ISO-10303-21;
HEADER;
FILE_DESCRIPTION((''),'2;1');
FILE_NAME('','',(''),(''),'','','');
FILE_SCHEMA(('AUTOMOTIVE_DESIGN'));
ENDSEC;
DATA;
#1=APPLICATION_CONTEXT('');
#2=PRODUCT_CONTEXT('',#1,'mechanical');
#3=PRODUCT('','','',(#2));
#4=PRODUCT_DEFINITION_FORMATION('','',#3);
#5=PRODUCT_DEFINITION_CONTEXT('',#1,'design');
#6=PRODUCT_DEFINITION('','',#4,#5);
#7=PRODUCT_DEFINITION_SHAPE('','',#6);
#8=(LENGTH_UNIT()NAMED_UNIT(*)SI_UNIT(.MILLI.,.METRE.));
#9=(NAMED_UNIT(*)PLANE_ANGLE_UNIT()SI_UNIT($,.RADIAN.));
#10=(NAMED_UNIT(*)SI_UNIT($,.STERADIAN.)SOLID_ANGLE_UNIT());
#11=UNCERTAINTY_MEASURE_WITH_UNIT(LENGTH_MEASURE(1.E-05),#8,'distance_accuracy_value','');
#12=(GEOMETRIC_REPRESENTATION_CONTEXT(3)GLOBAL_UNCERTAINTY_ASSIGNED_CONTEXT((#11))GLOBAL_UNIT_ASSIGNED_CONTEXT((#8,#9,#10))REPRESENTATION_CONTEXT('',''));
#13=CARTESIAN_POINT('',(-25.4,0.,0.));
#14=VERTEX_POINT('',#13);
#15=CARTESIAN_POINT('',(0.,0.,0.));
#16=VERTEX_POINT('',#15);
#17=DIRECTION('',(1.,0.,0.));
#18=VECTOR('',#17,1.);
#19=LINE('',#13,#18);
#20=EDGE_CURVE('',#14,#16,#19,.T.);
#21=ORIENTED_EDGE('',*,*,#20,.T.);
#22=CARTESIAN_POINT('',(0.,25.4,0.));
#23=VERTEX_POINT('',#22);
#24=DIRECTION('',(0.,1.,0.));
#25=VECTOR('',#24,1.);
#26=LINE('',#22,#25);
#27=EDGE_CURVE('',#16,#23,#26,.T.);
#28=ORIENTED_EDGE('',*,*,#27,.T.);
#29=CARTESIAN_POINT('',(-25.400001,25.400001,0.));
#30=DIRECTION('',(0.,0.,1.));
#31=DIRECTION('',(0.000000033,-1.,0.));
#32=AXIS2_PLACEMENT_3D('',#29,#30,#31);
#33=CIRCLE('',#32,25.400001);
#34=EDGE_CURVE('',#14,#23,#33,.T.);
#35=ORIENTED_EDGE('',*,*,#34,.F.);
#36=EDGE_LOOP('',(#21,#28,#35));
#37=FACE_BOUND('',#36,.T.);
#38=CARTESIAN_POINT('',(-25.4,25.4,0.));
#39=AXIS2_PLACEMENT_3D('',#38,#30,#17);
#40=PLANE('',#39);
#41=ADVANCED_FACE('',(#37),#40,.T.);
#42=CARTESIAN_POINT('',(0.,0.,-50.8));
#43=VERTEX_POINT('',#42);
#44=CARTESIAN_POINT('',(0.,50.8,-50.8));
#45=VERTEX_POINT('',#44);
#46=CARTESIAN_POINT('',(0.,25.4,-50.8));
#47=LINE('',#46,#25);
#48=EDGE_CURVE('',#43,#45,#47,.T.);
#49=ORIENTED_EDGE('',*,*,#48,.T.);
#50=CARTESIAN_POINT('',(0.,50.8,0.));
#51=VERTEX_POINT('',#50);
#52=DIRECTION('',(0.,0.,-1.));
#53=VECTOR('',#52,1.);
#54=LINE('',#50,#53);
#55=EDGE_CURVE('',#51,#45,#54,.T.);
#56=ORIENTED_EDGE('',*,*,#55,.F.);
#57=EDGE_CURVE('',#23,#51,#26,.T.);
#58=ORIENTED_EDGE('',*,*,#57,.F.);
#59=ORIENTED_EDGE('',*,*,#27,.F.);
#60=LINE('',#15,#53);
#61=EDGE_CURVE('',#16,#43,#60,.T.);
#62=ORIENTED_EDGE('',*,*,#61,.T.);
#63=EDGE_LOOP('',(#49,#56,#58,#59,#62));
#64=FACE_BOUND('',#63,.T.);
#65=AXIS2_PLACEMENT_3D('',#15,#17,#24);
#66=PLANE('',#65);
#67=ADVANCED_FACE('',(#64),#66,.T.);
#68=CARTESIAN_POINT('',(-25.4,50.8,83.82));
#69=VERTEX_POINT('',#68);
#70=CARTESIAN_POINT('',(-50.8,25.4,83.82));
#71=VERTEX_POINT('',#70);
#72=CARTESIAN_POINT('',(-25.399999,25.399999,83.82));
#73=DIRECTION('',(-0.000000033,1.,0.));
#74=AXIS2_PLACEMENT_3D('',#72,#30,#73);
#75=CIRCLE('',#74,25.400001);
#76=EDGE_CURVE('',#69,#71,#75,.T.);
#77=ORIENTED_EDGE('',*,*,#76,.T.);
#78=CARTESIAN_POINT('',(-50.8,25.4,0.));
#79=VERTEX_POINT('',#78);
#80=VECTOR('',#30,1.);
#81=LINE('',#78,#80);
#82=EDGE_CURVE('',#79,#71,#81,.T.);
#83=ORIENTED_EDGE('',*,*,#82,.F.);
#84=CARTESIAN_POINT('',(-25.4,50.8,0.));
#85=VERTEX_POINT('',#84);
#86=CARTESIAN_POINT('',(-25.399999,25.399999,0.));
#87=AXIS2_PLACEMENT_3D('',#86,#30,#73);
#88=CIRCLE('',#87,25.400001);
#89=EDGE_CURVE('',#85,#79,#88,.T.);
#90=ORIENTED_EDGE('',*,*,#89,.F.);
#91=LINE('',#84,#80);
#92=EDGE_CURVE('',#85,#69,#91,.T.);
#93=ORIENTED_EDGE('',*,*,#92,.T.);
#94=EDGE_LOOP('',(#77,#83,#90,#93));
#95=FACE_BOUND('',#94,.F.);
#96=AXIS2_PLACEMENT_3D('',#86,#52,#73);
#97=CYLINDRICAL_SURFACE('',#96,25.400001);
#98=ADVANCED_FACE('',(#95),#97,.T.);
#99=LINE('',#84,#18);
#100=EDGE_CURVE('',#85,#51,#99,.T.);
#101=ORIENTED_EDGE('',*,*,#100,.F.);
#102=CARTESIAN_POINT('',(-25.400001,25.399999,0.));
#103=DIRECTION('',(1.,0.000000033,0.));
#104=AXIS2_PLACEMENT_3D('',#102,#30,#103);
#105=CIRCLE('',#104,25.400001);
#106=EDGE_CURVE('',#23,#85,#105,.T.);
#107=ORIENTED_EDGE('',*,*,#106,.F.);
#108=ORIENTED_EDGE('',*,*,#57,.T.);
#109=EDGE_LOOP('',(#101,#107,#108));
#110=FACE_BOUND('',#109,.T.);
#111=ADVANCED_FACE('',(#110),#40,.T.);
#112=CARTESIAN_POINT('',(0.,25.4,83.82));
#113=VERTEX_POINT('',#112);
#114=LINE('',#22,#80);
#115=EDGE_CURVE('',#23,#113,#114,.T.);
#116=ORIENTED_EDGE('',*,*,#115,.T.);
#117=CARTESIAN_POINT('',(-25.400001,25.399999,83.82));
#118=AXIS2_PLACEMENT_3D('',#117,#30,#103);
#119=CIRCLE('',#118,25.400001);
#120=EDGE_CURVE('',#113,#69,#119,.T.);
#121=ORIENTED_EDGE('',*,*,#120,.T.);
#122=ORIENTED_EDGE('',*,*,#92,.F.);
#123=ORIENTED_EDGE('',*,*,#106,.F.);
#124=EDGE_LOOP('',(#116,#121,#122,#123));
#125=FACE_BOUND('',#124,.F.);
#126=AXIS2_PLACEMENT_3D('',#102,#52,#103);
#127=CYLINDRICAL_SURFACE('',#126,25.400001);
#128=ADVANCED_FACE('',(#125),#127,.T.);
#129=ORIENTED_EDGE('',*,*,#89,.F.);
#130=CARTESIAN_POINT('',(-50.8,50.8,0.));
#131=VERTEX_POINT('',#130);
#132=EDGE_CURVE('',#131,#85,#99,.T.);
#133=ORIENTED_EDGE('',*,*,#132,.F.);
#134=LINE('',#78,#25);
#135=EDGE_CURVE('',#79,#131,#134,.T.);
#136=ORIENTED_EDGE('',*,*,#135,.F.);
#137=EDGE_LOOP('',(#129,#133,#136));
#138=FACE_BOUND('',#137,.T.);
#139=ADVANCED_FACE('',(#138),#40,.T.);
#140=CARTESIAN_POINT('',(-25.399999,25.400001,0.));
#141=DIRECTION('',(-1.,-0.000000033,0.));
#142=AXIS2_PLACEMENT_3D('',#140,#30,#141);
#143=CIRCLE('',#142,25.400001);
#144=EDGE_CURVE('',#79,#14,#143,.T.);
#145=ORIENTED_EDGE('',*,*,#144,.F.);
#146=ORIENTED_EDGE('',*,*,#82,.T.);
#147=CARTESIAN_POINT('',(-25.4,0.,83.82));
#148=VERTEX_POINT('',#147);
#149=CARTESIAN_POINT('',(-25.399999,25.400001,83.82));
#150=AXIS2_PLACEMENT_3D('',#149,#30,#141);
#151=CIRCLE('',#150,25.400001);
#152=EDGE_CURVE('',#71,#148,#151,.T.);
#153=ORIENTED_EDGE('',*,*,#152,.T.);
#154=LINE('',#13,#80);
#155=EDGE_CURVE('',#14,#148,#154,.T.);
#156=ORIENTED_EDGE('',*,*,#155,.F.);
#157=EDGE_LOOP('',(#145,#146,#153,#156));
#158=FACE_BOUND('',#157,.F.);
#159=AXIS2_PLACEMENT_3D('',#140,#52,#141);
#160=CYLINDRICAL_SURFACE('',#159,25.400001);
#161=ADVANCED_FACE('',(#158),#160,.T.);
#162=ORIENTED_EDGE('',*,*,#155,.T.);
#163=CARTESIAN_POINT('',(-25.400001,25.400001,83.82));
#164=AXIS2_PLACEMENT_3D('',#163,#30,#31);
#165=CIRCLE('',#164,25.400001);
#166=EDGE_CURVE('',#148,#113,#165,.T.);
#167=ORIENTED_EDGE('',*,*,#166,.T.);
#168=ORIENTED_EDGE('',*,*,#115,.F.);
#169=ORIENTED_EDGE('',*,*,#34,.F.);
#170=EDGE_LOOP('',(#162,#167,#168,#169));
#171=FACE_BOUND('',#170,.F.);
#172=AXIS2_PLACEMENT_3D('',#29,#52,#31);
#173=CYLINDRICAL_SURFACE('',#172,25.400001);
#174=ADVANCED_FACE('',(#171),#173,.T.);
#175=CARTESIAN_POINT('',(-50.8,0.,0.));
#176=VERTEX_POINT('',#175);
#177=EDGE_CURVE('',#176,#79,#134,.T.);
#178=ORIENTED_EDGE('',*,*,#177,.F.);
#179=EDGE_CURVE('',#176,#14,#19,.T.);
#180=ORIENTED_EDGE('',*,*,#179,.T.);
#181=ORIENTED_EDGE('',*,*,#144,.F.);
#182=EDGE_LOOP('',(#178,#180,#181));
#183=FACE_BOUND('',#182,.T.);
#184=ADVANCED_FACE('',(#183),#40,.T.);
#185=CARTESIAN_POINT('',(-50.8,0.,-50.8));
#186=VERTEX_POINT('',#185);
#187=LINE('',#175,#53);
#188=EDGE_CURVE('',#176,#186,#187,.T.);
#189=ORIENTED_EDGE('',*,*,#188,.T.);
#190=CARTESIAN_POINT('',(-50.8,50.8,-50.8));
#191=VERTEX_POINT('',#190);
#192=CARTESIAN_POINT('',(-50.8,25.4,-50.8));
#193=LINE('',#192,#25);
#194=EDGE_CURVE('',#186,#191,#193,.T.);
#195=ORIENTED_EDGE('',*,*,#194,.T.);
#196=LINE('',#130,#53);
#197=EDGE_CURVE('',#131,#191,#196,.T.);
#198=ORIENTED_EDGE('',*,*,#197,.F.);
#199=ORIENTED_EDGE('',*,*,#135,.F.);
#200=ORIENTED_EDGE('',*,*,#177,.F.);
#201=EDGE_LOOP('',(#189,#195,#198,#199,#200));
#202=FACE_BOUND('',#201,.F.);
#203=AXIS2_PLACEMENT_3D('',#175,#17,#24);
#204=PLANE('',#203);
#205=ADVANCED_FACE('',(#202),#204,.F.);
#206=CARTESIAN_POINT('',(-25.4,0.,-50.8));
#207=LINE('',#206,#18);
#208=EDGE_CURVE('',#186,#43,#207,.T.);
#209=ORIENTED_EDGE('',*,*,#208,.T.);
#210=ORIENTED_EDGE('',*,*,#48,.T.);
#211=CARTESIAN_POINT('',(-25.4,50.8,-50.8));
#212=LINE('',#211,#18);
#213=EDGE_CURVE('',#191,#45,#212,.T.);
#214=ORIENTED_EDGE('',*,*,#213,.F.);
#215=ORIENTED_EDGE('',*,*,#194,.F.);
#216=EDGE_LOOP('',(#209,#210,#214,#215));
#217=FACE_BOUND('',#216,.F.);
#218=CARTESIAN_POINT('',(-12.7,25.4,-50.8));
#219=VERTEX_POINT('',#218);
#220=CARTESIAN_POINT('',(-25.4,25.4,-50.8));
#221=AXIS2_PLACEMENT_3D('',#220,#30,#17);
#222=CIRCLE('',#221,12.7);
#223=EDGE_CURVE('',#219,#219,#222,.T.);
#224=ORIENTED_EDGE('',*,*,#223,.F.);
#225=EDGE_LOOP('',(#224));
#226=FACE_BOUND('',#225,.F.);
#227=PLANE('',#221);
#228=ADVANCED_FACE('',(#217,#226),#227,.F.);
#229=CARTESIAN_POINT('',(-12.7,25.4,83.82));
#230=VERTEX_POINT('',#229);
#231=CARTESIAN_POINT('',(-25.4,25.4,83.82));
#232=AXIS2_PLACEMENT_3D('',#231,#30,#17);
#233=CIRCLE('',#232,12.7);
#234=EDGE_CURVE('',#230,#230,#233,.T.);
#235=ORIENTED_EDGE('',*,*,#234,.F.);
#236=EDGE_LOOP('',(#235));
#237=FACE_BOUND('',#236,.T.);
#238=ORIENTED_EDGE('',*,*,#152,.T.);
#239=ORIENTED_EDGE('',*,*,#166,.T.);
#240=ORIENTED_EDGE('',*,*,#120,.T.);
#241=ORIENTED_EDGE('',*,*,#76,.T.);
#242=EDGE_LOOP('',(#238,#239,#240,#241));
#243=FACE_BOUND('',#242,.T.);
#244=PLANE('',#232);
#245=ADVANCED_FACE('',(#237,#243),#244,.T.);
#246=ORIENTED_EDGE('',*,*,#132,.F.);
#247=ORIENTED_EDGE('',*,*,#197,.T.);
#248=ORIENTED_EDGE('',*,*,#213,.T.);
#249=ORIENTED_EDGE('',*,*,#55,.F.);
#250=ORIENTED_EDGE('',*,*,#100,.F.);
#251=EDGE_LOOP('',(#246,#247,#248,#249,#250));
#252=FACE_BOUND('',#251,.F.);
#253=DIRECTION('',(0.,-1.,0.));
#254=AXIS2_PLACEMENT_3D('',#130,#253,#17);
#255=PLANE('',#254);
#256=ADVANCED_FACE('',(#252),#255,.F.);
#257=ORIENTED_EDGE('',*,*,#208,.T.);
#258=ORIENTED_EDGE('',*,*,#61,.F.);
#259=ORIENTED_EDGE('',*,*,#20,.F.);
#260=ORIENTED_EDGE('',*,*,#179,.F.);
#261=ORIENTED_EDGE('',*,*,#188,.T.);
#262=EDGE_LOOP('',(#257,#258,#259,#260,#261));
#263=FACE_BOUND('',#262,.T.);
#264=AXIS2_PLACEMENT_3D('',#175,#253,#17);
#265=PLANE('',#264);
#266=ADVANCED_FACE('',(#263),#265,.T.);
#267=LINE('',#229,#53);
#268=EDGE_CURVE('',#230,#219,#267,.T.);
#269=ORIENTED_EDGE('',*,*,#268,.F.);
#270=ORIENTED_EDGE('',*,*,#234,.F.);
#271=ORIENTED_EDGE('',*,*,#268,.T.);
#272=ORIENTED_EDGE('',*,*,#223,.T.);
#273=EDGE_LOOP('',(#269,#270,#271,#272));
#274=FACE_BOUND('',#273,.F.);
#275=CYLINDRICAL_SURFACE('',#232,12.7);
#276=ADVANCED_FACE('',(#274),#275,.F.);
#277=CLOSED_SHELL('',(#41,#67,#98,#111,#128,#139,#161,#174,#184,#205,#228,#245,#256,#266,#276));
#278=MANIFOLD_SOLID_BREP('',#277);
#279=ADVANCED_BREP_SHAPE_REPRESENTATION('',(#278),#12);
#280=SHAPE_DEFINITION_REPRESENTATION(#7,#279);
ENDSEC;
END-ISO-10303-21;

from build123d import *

# Parameters (mm, degrees)
F0_W     = 50.8
F0_H     = 50.8
F1_DEPTH = 50.8
F3_DEPTH = 83.82
F4_R     = 12.7
F5_DEPTH = 143.764


with BuildPart() as f1:
    # F0 (on Top) → F1 (new body)
    with BuildSketch(Plane.XY):
        with Locations((-25.4, 25.4)):
            Rectangle(F0_W, F0_H)
    extrude(amount=-F1_DEPTH)

    # F2 (on face) → F3 (join)
    with BuildSketch(Plane.XY):
        with BuildLine():
            ThreePointArc((-25.4, 0), (-7.439488, 7.439488), (0, 25.4))
            ThreePointArc((0, 25.4), (-7.439488, 43.360512), (-25.4, 50.8))
            ThreePointArc((-25.4, 50.8), (-43.360512, 43.360512), (-50.8, 25.4))
            ThreePointArc((-50.8, 25.4), (-43.360512, 7.439488), (-25.4, 0))
        make_face()
    extrude(amount=F3_DEPTH)

    # F4 (on face) → F5 (cut)
    with BuildSketch(Plane.XY.offset(83.82)):
        with Locations((-25.4, 25.4)):
            Circle(F4_R)
    extrude(amount=-F5_DEPTH, mode=Mode.SUBTRACT)


solid = f1.part
